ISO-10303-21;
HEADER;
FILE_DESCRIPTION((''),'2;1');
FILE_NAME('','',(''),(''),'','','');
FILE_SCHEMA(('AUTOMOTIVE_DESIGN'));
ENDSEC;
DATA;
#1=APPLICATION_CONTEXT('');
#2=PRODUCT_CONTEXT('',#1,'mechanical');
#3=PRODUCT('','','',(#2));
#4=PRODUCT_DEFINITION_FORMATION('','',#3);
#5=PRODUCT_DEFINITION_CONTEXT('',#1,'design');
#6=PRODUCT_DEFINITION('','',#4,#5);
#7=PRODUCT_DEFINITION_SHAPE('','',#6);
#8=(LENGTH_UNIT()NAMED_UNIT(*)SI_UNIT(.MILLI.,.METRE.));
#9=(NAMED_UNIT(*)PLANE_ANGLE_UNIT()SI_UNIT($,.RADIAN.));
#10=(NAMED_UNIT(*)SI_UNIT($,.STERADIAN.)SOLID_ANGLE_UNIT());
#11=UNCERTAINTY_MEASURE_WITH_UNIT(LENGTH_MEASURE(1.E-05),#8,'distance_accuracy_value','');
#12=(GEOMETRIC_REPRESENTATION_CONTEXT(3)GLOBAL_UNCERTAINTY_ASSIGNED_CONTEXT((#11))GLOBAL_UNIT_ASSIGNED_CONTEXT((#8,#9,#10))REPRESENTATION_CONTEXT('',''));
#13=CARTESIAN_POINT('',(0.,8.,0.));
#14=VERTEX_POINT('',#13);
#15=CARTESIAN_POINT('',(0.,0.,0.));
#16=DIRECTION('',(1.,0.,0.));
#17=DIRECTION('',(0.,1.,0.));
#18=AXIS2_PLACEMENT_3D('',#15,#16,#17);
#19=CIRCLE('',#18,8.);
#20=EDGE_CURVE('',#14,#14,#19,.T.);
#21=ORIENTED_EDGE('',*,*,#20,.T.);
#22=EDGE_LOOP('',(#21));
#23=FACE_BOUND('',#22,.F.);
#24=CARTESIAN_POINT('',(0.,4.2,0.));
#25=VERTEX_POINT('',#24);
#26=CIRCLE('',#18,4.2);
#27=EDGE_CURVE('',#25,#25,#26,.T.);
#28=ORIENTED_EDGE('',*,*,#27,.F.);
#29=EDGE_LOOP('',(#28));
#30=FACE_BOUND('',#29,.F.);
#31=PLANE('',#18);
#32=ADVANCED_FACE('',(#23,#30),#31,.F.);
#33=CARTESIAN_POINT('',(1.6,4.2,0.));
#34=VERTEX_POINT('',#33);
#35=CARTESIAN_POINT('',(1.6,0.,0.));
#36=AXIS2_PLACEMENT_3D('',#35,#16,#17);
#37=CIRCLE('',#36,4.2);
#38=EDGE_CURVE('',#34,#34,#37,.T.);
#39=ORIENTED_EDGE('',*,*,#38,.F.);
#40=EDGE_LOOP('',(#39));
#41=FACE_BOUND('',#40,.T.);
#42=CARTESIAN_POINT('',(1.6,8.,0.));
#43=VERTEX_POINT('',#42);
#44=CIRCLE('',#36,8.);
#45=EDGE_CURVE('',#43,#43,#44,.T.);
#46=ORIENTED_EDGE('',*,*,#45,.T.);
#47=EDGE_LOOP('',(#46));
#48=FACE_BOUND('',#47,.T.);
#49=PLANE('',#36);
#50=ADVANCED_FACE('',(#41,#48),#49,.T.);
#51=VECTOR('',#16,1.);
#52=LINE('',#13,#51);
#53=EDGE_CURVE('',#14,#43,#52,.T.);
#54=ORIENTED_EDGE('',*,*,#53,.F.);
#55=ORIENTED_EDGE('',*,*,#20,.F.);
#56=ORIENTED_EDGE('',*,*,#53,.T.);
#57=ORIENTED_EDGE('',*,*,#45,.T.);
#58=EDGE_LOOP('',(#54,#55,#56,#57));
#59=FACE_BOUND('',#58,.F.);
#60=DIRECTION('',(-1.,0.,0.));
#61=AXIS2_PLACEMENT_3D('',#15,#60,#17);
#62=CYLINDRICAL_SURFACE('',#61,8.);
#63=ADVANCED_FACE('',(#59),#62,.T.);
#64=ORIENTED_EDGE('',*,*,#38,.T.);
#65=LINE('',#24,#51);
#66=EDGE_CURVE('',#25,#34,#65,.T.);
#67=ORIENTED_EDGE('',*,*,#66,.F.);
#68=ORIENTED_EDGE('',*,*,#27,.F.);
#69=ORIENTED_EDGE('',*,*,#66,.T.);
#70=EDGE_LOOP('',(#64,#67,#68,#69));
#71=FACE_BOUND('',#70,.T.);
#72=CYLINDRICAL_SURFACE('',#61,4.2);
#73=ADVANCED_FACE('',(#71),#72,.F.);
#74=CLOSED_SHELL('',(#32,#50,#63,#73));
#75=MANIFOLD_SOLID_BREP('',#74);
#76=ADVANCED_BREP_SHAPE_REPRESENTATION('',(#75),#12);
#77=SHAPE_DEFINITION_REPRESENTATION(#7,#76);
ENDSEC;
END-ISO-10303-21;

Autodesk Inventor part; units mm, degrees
ref_plane "YZ Plane" through (0, 0, 0) normal (1, 0, 0) x (0, 1, 0)
ref_plane "XZ Plane" through (0, 0, 0) normal (0, 1, 0) x (-1, 0, 0)
sketch "Sketch" plane through (0, 0, 0) normal (1, 0, 0) x (0, 1, 0)
  circle A0 centre (0, 0) radius 8
  circle A1 centre (0, 0) radius 4.2
  dimension "d0" = 8.4
  dimension "d1" = 16
extrude "Body" add sketch "Sketch" along normal blind 1.6
ref_plane "Work Plane1" through (0, 0, 0) normal (0, 0, 1) x (1, 0, 0)
equation "\"d0\" = SD1"
equation "\"d1\" = SD2"
equation "\"d2\" = SD"
equation "\"SD1\" = 8.4"
equation "\"SD2\" = 16"
equation "\"SD\" = 1.6"
equation "\"NND\" = 8"
properties part number "DIN 125 - A 8.4" material "Steel, Mild"
